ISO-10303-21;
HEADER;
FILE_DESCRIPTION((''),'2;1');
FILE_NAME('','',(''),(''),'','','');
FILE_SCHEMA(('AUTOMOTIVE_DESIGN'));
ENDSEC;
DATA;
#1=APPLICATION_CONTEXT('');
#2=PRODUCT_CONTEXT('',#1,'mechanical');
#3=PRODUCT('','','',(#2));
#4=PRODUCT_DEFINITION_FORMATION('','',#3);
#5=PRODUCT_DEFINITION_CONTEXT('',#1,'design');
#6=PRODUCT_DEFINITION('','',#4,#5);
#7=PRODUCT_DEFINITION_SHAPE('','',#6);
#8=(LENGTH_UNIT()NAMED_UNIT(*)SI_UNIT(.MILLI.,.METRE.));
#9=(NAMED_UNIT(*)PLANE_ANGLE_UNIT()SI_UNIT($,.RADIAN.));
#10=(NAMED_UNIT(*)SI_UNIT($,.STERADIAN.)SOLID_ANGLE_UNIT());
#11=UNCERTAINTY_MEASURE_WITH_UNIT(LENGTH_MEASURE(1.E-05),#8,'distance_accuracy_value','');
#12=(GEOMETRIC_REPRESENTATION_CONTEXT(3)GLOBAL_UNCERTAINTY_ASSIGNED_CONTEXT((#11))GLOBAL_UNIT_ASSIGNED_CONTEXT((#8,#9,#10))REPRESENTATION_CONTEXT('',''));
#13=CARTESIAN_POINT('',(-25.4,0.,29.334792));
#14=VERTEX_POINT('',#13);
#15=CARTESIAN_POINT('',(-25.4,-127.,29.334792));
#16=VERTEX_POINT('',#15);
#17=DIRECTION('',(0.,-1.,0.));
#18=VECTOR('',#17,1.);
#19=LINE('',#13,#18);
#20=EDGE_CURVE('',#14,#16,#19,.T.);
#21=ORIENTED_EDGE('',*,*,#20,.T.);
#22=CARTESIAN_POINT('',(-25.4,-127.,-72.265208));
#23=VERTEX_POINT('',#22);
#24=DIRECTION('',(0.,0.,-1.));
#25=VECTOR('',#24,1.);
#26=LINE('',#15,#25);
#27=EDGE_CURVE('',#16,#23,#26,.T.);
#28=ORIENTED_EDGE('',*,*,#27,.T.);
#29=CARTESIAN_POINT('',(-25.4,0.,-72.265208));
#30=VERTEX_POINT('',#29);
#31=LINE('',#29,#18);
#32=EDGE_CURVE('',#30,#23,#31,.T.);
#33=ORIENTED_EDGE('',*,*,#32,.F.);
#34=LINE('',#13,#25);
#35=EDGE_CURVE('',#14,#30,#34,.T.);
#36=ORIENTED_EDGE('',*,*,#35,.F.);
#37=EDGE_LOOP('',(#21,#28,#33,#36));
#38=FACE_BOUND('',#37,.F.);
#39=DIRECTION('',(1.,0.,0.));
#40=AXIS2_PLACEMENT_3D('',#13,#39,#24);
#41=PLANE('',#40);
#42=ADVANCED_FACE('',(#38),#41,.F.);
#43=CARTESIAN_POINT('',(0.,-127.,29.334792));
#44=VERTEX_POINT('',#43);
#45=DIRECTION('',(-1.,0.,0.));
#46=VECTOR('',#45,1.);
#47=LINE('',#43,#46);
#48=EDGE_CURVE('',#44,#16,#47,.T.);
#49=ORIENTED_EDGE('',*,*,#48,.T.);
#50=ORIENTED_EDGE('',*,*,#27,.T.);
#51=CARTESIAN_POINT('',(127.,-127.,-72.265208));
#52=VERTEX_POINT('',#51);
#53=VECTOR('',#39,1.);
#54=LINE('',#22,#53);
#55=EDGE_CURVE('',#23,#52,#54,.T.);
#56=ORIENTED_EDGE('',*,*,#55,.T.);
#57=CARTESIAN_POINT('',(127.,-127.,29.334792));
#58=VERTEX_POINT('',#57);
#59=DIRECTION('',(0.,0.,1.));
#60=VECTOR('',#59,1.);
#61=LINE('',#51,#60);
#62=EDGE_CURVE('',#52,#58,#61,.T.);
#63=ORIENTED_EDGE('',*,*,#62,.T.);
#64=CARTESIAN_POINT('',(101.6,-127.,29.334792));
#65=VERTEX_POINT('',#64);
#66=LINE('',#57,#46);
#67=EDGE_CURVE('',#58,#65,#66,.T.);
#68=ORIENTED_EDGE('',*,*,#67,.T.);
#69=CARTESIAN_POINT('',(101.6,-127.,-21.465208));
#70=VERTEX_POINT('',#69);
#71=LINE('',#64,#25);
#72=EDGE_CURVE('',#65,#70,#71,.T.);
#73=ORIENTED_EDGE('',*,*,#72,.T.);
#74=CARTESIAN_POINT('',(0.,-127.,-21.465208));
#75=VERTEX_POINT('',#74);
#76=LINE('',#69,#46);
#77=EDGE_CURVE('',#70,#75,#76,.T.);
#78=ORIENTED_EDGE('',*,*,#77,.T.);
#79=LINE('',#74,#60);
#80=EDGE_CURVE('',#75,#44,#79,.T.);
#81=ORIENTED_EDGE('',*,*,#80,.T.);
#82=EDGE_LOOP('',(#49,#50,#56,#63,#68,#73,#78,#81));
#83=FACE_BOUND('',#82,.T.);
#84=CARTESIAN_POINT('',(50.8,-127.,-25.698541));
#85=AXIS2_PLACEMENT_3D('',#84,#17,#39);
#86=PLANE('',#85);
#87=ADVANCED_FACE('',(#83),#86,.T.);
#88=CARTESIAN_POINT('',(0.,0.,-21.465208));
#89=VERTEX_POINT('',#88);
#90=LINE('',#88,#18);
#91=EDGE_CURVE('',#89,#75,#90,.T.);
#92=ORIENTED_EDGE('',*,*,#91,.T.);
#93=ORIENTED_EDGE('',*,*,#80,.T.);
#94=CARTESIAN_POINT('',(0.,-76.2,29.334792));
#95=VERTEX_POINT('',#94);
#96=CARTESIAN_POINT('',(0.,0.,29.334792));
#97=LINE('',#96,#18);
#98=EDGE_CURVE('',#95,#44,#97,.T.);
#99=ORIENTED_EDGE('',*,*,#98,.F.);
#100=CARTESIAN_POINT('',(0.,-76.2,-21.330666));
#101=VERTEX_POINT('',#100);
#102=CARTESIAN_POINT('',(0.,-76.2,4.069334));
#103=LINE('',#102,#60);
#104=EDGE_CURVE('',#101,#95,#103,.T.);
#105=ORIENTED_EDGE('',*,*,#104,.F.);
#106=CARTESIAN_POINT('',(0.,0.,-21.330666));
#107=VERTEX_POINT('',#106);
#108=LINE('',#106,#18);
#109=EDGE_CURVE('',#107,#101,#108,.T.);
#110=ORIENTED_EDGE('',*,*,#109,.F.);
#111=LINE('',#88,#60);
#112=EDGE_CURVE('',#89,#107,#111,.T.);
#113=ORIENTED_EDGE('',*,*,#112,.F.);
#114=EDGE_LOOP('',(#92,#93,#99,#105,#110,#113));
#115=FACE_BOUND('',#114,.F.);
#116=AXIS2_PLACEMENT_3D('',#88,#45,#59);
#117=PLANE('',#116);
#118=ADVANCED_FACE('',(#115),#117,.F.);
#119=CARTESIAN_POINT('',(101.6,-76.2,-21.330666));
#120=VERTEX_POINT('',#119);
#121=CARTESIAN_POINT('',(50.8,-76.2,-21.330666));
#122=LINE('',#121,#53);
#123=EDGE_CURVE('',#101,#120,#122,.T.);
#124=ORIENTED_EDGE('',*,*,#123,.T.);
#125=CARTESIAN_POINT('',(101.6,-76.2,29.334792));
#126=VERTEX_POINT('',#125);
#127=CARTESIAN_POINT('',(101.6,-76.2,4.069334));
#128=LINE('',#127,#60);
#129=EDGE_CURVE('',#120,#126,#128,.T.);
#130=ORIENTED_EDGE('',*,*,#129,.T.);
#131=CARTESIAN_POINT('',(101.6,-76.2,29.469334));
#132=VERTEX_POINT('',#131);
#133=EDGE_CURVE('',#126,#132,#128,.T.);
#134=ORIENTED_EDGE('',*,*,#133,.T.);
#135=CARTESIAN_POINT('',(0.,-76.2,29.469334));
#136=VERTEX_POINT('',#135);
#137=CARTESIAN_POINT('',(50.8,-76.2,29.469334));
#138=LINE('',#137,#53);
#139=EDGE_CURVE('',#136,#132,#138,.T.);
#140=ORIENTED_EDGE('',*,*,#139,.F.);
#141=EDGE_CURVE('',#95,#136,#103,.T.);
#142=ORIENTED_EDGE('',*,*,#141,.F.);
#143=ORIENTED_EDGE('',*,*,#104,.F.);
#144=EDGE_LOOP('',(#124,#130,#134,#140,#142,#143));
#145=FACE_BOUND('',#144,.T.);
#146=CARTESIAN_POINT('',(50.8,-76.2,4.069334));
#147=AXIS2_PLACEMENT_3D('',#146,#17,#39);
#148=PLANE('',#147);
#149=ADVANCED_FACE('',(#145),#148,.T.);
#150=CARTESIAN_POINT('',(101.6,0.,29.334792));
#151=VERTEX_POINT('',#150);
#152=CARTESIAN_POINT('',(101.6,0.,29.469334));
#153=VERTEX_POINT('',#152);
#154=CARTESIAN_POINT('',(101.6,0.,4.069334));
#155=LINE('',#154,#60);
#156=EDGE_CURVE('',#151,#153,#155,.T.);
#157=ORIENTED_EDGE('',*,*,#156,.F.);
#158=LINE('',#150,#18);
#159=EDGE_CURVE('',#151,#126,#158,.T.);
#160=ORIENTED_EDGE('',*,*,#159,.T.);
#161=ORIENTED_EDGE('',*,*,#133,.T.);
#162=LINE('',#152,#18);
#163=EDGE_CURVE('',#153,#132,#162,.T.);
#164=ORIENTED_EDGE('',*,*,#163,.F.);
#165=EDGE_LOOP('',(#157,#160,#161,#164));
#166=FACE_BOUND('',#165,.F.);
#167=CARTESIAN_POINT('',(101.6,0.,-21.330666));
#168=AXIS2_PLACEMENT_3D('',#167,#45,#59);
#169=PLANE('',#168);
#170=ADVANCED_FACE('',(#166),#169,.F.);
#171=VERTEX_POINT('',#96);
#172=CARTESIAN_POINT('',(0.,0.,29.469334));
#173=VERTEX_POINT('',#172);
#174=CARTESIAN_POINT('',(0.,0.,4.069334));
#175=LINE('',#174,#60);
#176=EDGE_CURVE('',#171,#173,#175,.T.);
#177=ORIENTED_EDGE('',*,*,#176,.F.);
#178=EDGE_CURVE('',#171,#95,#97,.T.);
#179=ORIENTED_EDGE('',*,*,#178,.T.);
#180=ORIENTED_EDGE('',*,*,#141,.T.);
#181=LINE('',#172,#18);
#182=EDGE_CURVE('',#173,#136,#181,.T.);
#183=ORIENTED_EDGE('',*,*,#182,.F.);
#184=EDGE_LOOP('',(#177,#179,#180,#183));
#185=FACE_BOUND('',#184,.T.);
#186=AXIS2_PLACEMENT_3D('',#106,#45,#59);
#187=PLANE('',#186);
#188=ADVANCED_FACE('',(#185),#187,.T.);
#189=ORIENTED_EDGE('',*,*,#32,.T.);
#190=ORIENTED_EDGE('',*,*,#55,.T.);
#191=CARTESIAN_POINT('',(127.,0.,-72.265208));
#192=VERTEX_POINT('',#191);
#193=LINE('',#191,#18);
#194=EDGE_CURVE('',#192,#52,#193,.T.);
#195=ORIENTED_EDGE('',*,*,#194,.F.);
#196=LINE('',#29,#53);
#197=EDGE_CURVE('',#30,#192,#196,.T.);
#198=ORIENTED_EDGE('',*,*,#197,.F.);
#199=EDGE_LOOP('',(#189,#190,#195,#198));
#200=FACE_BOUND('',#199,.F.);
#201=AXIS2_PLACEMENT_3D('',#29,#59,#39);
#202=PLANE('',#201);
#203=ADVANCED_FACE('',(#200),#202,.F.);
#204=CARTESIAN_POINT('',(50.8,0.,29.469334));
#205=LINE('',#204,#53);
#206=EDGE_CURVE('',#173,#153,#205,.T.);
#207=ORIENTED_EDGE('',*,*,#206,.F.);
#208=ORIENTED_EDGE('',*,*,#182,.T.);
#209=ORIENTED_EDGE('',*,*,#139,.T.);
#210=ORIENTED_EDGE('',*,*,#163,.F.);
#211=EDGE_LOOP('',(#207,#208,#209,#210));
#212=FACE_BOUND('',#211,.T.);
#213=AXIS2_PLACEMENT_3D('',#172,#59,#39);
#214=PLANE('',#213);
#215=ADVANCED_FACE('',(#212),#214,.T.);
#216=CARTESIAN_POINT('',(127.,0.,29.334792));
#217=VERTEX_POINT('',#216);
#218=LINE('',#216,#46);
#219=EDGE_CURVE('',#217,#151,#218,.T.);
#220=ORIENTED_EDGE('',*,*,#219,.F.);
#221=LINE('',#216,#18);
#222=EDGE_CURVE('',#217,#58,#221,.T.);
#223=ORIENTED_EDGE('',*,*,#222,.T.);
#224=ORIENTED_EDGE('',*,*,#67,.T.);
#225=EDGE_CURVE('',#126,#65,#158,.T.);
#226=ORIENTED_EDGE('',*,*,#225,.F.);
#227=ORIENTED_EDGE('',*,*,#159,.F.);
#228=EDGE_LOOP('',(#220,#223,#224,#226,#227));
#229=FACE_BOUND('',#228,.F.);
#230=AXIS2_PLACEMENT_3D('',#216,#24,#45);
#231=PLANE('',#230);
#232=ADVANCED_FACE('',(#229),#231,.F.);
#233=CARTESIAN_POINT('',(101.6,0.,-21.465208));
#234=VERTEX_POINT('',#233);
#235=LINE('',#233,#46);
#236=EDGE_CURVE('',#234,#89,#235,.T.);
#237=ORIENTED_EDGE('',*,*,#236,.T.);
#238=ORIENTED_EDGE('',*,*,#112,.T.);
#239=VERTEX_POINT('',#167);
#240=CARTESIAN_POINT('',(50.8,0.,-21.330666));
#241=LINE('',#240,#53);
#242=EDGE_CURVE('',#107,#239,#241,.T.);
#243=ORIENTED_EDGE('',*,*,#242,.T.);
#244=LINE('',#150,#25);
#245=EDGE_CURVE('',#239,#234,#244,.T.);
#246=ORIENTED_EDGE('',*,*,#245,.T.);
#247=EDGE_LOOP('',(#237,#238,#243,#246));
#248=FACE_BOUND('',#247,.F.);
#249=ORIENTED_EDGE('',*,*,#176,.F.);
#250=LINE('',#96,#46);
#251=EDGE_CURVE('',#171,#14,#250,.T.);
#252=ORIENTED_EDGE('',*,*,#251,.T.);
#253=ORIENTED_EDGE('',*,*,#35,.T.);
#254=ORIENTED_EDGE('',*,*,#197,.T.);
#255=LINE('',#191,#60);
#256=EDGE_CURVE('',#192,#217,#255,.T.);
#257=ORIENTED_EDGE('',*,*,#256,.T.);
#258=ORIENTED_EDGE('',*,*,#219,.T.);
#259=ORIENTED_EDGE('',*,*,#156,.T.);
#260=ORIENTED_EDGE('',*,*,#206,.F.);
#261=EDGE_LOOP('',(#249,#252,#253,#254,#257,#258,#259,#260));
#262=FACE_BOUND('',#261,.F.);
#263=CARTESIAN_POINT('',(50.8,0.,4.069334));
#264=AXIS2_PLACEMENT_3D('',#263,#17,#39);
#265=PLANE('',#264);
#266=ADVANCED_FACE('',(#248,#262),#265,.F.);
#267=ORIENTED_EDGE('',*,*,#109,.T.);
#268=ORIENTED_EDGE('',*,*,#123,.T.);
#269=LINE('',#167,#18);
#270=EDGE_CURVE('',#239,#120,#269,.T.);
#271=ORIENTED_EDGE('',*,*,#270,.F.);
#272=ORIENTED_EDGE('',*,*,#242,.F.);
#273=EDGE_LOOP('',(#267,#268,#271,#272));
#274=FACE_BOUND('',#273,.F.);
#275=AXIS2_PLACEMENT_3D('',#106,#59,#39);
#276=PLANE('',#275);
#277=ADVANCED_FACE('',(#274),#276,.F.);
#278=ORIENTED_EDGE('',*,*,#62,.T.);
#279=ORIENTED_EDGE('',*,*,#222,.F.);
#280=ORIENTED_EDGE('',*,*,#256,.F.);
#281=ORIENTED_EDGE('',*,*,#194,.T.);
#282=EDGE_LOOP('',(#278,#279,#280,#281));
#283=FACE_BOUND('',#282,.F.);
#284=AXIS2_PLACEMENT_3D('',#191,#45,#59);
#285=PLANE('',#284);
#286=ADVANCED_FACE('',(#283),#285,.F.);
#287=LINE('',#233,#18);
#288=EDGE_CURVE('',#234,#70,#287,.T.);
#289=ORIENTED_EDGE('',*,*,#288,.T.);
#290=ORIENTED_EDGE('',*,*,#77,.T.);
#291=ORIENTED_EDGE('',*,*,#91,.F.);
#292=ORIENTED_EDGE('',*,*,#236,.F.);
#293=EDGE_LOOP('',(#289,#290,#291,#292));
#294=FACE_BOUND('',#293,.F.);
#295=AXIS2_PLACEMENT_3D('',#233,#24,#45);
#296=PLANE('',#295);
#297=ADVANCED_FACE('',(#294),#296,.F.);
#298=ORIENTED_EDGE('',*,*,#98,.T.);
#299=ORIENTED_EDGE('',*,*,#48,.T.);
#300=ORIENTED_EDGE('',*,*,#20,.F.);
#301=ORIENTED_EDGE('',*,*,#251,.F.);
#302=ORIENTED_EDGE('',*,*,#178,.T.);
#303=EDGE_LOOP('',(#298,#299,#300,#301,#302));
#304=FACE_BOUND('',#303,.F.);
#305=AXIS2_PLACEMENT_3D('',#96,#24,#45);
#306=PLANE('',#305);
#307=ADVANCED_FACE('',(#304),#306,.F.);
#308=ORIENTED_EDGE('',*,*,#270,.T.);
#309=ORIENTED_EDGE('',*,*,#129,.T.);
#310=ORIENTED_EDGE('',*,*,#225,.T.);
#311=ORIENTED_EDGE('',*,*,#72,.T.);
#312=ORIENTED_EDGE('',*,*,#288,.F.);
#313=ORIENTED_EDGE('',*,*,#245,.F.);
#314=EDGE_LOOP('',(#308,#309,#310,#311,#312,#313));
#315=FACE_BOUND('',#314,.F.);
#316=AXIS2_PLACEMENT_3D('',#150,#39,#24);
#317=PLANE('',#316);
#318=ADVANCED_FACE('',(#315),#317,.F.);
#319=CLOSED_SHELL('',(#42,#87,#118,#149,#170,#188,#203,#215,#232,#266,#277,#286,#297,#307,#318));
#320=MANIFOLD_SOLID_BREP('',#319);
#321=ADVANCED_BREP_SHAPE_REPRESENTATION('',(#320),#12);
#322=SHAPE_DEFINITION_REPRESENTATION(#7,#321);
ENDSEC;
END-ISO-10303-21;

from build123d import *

# Parameters (mm, degrees)
F1_DEPTH = 127
F2_W     = 101.6
F2_H     = 50.8
F3_DEPTH = 76.2


with BuildPart() as f1:
    # F0 (on Front) → F1 (new body)
    with BuildSketch(Plane.XZ):
        Polygon((-25.4, 29.334792), (-25.4, -72.265208), (127, -72.265208), (127, 29.334792), (101.6, 29.334792), (101.6, -21.465208), (0, -21.465208), (0, 29.334792), align=None)
    extrude(amount=F1_DEPTH)

    # F2 (on Front) → F3 (join)
    with BuildSketch(Plane.XZ):
        with Locations((50.8, 4.069334)):
            Rectangle(F2_W, F2_H)
    extrude(amount=F3_DEPTH)


solid = f1.part
